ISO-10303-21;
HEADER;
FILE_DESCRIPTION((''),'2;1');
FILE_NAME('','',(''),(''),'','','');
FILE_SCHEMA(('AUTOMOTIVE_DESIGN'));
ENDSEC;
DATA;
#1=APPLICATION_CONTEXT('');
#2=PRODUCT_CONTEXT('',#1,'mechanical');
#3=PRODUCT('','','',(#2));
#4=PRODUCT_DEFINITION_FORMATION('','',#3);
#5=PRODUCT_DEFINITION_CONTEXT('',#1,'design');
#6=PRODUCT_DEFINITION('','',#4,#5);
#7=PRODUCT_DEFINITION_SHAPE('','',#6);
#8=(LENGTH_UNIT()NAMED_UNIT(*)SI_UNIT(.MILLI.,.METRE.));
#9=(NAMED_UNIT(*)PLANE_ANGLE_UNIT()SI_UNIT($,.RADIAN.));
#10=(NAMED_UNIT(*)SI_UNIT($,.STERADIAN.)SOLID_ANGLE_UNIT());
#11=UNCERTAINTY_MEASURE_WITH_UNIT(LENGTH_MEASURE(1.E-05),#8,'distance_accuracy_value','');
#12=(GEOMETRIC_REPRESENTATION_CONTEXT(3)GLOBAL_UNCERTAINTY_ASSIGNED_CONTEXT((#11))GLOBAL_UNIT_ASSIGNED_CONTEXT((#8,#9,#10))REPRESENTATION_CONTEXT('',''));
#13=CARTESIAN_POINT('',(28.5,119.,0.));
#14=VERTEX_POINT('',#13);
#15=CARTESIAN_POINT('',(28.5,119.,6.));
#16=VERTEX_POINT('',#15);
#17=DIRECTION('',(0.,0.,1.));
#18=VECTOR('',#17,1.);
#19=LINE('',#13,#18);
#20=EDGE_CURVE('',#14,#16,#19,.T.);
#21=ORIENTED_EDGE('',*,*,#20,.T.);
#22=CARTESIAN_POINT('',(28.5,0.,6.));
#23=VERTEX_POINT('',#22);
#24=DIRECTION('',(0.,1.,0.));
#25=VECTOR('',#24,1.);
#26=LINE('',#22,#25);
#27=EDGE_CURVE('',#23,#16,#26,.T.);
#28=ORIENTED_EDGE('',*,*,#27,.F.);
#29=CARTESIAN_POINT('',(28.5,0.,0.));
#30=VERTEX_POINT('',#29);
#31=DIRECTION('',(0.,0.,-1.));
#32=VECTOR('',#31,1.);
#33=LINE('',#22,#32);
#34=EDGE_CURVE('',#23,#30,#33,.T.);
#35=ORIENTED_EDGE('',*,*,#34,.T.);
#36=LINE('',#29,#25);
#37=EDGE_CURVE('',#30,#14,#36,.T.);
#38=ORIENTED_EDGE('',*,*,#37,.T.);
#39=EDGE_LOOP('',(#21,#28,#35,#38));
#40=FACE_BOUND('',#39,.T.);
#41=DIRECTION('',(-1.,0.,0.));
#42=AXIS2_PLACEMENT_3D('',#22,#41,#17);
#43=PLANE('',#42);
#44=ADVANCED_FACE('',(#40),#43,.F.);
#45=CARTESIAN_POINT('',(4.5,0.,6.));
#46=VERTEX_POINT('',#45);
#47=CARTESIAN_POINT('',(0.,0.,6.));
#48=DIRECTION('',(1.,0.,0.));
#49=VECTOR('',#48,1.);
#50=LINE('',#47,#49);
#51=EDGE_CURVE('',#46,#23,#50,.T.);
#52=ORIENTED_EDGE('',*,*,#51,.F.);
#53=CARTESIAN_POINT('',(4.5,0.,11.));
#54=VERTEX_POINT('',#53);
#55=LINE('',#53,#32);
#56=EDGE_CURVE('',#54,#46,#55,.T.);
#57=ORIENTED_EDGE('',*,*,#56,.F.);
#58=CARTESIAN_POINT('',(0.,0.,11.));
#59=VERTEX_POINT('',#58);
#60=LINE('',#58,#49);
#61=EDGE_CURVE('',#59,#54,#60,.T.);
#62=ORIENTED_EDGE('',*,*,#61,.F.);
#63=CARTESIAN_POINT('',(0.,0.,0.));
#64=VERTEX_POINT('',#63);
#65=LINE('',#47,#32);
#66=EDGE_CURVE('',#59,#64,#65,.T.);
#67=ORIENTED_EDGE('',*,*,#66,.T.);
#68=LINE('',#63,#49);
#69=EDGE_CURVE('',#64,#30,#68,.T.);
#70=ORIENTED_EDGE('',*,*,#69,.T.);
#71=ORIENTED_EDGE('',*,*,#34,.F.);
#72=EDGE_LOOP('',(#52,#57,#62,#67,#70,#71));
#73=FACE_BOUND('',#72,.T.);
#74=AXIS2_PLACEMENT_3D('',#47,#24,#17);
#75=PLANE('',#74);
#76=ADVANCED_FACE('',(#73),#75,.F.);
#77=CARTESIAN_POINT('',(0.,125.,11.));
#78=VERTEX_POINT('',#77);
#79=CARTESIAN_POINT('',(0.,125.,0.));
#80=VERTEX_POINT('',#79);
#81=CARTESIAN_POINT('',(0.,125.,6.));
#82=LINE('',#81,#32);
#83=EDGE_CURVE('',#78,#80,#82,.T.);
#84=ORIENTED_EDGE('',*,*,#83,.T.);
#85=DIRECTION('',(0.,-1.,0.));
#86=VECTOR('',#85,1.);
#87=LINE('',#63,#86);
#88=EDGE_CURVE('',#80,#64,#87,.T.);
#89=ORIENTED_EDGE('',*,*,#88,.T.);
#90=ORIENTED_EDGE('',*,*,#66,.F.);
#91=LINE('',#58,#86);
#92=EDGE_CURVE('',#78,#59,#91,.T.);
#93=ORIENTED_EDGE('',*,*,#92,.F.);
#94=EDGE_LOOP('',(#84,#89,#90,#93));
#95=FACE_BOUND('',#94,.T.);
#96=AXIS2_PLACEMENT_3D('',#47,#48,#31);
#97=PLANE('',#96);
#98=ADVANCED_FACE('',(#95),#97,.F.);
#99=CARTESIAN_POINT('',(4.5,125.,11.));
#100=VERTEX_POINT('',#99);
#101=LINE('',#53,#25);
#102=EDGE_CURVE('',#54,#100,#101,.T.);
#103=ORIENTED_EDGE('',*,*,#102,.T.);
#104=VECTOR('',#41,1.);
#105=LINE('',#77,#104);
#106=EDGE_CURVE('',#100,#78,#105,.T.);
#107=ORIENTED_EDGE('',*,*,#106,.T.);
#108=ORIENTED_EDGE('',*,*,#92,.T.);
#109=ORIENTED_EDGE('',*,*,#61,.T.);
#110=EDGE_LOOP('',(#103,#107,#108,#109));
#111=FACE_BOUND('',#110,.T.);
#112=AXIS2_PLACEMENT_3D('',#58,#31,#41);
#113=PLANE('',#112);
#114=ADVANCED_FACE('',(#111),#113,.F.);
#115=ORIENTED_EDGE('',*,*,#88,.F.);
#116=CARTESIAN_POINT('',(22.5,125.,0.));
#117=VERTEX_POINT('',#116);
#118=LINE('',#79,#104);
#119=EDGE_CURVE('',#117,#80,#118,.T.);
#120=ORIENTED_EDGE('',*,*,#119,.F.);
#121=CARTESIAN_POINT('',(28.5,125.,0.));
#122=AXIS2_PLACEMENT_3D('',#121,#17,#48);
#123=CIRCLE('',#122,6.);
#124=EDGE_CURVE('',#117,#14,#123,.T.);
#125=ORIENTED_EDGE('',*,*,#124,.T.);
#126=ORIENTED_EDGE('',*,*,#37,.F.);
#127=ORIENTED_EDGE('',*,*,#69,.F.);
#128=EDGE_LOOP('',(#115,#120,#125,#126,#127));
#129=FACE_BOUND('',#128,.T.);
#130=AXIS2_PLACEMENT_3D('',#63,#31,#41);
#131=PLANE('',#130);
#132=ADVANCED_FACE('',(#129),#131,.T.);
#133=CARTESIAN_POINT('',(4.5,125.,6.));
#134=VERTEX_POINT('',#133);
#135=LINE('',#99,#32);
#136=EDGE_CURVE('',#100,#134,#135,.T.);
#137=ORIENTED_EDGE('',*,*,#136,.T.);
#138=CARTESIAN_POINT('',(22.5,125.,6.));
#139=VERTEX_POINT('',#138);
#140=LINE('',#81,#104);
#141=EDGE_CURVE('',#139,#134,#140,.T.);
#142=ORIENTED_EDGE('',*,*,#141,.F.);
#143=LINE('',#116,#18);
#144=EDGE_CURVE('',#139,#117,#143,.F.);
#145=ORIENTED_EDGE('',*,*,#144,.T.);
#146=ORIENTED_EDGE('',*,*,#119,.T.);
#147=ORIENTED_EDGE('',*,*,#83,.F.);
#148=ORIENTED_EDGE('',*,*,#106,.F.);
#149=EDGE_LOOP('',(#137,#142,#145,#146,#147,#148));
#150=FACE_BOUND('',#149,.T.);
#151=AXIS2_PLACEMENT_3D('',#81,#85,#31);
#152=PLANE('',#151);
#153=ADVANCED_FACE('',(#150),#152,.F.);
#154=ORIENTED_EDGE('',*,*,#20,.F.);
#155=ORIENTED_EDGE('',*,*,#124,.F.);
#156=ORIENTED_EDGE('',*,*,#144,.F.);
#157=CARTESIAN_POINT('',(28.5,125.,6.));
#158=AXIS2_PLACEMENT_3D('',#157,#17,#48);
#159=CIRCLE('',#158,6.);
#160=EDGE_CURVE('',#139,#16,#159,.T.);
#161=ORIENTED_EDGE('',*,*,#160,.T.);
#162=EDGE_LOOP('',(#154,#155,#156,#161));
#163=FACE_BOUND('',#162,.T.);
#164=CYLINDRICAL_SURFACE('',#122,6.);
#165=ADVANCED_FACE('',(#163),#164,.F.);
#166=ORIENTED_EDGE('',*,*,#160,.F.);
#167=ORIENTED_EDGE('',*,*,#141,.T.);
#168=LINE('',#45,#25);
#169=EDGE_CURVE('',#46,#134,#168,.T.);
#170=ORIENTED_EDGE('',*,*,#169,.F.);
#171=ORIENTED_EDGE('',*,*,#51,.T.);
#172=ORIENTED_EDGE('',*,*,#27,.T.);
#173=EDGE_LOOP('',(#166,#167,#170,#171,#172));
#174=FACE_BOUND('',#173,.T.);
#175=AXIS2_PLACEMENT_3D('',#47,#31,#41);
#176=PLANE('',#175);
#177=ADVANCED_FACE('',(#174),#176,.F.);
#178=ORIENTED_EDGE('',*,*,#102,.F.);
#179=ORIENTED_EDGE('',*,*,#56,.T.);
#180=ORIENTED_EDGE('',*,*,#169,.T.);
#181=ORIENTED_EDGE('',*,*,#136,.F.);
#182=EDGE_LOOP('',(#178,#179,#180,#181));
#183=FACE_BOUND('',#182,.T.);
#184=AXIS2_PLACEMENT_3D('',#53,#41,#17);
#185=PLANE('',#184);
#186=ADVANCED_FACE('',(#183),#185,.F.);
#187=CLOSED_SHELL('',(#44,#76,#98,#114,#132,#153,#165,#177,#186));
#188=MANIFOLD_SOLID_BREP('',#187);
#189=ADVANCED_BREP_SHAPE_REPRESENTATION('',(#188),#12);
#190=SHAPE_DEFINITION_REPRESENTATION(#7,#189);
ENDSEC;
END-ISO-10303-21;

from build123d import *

# Parameters (mm, degrees)
CROQUIS1_W              = 28.5
CROQUIS1_H              = 125
SALIENTE_EXTRUIR1_DEPTH = 6
CROQUIS2_W              = 4.5
CROQUIS2_H              = 125
SALIENTE_EXTRUIR2_DEPTH = 5
CROQUIS3_R              = 6
CORTAR_EXTRUIR1_DEPTH   = 7


with BuildPart() as part:
    # Croquis1 → Saliente-Extruir1 (new body)
    with BuildSketch(Plane.XY):
        with Locations((14.25, 62.5)):
            Rectangle(CROQUIS1_W, CROQUIS1_H)
    extrude(amount=SALIENTE_EXTRUIR1_DEPTH)

    # Croquis2 → Saliente-Extruir2 (add)
    with BuildSketch(Plane.XY.offset(6)):
        with Locations((2.25, 62.5)):
            Rectangle(CROQUIS2_W, CROQUIS2_H)
    extrude(amount=SALIENTE_EXTRUIR2_DEPTH)

    # Croquis3 → Cortar-Extruir1 (cut, through all)
    with BuildSketch(Plane.XY.offset(6)):
        with Locations((28.5, 125)):
            Circle(CROQUIS3_R)
    extrude(amount=-CORTAR_EXTRUIR1_DEPTH, mode=Mode.SUBTRACT)


solid = part.part
